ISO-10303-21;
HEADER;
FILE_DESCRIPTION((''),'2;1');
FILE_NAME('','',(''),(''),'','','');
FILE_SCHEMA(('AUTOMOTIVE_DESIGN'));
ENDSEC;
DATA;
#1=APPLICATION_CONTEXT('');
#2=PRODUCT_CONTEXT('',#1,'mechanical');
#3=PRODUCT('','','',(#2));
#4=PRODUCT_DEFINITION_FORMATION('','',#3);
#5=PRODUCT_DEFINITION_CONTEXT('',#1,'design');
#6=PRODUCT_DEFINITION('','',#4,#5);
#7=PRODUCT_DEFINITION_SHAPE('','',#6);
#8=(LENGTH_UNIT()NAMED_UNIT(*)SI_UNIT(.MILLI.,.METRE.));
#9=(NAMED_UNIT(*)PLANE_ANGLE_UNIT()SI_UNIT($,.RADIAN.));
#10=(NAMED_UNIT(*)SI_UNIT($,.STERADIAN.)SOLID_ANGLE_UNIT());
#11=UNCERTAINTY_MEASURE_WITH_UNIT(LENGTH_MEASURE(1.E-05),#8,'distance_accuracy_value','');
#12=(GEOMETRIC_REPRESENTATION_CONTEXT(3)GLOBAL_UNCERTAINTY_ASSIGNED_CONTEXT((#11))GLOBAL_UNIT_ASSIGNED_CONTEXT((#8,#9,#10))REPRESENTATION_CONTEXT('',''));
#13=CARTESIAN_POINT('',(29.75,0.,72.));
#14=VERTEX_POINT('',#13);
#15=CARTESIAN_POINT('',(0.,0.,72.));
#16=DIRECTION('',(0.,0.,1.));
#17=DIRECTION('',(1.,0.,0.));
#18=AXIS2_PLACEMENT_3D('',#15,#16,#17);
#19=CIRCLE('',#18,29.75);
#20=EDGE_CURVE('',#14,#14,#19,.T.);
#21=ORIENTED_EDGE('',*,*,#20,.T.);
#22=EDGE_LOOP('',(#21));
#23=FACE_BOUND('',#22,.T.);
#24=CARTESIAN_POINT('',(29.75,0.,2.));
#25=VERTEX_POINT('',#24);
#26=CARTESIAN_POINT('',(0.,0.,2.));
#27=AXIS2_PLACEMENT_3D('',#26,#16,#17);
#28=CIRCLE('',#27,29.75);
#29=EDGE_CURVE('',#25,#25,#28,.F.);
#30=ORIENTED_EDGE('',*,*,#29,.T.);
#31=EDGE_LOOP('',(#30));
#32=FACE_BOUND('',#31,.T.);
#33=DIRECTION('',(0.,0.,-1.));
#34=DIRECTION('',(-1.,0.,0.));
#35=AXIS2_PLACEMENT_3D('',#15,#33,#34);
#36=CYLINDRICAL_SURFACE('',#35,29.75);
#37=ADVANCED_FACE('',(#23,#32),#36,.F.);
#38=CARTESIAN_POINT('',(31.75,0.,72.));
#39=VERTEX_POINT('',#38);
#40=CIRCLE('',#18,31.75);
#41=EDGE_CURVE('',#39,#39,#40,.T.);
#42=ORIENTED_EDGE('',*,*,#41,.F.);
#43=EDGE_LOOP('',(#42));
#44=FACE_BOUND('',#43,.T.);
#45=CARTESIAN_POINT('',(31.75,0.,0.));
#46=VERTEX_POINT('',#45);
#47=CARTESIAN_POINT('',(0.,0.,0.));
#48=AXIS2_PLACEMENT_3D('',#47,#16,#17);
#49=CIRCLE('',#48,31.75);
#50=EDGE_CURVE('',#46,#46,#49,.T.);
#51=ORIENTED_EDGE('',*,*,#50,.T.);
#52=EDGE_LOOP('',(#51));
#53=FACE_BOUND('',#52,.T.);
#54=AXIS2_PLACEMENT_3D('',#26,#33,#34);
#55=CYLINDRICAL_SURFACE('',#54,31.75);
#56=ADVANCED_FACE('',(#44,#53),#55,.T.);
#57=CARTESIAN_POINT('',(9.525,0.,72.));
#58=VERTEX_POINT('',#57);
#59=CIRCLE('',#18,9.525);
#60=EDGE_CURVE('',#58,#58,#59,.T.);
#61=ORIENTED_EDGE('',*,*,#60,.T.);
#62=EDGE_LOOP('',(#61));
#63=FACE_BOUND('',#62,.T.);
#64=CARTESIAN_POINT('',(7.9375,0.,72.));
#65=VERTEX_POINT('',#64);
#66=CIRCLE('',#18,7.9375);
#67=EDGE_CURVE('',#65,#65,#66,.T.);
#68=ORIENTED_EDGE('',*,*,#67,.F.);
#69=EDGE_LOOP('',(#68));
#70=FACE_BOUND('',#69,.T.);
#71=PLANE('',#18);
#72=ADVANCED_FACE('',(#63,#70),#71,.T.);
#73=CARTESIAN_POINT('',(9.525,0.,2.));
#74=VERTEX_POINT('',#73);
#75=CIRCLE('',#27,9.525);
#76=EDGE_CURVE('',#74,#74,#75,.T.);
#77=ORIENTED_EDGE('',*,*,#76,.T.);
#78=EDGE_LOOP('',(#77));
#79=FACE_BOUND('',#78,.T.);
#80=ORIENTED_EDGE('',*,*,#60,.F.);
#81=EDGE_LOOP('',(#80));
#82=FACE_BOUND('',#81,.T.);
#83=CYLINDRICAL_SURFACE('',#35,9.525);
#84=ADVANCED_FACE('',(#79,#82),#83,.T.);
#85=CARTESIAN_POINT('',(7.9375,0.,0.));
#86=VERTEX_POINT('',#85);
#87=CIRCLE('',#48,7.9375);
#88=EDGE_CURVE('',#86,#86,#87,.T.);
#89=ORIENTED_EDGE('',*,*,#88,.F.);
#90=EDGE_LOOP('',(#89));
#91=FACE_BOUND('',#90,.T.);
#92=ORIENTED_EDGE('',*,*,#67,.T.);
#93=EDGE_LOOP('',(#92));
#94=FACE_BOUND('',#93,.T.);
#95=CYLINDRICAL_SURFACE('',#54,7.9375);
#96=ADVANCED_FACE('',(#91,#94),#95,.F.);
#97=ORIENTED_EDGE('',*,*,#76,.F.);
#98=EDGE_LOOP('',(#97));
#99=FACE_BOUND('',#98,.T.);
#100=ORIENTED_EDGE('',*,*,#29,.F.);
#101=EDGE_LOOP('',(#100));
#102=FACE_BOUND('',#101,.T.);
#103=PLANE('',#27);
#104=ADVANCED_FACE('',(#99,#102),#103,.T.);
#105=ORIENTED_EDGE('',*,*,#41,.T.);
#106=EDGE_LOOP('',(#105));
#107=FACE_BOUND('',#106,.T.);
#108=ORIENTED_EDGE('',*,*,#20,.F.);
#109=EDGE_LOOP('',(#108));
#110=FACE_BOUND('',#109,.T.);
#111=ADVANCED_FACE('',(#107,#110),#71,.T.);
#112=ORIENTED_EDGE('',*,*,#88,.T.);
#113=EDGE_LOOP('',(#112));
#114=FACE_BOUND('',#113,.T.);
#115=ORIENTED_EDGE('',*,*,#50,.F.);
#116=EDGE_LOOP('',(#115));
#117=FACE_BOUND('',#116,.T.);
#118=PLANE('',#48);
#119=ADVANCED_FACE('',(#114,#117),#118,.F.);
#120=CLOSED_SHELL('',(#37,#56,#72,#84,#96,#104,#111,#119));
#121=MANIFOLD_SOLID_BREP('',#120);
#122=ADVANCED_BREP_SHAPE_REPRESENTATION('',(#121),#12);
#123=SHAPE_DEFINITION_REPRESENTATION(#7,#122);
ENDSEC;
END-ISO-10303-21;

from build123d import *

# Parameters (mm, degrees)
CROQUIS1_R              = 31.75
CROQUIS1_R_2            = 7.9375
SALIENTE_EXTRUIR1_DEPTH = 2
CROQUIS2_R              = 31.75
CROQUIS2_R_2            = 29.75
SALIENTE_EXTRUIR2_DEPTH = 70
CROQUIS3_R              = 9.525
CROQUIS3_R_2            = 7.9375
SALIENTE_EXTRUIR3_DEPTH = 70


with BuildPart() as part:
    # Croquis1 → Saliente-Extruir1 (new body)
    with BuildSketch(Plane.XY):
        Circle(CROQUIS1_R)
        Circle(CROQUIS1_R_2, mode=Mode.SUBTRACT)
    extrude(amount=SALIENTE_EXTRUIR1_DEPTH)

    # Croquis2 → Saliente-Extruir2 (add)
    with BuildSketch(Plane.XY.offset(2)):
        Circle(CROQUIS2_R)
        Circle(CROQUIS2_R_2, mode=Mode.SUBTRACT)
    extrude(amount=SALIENTE_EXTRUIR2_DEPTH)

    # Croquis3 → Saliente-Extruir3 (add)
    with BuildSketch(Plane.XY.offset(2)):
        Circle(CROQUIS3_R)
        Circle(CROQUIS3_R_2, mode=Mode.SUBTRACT)
    extrude(amount=SALIENTE_EXTRUIR3_DEPTH)


solid = part.part
